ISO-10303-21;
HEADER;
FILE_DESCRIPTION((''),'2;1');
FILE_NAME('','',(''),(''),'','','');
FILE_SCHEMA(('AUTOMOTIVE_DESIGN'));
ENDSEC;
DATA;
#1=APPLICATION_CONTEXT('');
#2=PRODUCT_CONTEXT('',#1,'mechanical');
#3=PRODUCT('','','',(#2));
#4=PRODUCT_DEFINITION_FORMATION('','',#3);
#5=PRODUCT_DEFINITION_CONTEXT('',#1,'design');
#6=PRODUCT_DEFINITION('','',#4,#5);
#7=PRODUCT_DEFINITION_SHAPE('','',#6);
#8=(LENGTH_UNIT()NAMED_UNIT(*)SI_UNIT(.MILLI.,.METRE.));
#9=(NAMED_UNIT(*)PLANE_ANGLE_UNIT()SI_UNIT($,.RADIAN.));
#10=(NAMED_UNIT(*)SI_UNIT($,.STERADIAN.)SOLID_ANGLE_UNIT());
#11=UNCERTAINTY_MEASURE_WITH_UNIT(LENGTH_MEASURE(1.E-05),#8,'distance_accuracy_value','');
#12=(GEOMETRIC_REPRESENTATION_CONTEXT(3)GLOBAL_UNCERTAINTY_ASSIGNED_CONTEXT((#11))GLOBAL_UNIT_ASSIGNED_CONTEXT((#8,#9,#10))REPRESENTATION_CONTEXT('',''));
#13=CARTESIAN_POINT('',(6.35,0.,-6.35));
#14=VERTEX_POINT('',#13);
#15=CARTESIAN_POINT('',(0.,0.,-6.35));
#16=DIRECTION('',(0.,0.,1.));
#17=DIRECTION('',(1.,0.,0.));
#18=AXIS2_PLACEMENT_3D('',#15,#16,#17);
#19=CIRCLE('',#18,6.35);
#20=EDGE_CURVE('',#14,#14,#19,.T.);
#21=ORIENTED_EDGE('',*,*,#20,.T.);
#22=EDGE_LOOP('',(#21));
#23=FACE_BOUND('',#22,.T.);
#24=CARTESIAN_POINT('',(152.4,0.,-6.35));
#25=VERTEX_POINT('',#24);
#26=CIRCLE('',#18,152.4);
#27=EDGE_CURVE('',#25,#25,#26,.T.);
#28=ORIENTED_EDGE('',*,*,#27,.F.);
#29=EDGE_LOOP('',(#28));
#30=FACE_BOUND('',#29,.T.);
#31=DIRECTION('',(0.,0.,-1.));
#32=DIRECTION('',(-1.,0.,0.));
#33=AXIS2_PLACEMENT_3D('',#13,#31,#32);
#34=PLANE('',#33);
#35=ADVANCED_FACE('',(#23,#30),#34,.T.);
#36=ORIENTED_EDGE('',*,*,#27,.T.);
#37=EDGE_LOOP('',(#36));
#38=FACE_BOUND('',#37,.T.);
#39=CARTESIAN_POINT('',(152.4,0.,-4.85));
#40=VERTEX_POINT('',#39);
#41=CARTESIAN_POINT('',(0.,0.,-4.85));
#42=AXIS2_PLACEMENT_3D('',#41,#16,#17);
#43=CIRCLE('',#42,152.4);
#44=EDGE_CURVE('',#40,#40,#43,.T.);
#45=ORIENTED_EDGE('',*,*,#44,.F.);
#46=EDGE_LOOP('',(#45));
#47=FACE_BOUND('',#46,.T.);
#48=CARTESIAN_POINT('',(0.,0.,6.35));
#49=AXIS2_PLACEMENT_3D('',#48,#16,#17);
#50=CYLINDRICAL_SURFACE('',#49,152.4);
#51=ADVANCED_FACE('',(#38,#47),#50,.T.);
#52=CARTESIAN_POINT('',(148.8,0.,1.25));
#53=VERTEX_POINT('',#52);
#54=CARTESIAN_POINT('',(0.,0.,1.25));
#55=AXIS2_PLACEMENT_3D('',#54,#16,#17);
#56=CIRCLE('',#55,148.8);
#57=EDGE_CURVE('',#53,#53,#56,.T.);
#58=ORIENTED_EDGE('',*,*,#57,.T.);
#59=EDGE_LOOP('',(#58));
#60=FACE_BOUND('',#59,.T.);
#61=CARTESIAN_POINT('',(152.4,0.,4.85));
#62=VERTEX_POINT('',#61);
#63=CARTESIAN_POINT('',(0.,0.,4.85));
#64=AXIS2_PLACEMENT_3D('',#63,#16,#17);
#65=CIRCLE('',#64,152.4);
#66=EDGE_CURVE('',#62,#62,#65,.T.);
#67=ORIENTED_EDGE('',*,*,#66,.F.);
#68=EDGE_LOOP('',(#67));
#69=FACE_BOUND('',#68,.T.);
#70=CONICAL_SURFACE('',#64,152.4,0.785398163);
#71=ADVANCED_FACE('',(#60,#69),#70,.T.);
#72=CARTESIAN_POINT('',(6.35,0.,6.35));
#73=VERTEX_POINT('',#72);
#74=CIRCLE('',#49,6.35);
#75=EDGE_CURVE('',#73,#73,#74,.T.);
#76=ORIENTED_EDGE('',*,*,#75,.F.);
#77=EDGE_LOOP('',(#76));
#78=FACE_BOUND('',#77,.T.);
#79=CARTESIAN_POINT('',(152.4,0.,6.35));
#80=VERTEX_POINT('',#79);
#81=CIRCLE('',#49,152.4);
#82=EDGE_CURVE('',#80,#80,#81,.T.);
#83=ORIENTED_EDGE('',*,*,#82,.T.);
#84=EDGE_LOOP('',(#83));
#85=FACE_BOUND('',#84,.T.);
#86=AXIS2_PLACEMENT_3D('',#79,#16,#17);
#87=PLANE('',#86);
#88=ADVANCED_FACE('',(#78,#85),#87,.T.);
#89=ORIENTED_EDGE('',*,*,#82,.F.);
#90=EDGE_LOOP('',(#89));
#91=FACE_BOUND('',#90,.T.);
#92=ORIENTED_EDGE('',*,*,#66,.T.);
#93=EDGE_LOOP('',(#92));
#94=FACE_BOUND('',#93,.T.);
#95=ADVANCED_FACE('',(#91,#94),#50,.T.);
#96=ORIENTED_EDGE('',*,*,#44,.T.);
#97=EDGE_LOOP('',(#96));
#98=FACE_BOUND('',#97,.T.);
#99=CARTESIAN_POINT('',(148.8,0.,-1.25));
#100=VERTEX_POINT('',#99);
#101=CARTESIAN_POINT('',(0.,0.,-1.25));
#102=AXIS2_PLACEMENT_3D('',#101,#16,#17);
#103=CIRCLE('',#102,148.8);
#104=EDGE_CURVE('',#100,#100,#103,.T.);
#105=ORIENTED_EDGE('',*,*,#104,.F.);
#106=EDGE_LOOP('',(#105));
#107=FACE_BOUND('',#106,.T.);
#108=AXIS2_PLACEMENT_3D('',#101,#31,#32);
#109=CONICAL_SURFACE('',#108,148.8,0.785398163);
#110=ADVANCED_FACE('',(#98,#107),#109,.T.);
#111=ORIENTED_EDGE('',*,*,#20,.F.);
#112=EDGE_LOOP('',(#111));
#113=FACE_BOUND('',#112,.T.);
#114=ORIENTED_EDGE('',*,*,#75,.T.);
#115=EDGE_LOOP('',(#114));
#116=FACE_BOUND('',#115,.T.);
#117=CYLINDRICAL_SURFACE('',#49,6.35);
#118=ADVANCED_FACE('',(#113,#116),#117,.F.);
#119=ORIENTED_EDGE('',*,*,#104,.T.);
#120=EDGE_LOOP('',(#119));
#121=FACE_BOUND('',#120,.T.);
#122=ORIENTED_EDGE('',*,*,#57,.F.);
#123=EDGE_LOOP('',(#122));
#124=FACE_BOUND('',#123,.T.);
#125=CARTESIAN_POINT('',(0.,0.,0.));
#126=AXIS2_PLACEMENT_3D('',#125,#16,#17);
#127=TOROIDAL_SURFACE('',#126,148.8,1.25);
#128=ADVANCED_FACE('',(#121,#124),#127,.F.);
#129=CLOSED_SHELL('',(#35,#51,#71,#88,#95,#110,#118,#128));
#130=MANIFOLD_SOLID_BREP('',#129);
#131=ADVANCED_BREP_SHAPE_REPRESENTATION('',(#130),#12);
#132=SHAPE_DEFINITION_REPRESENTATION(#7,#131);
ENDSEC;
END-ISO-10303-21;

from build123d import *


with BuildPart() as part:
    # Sketch1 → Revolve1 (revolve)
    with BuildSketch(Plane(origin=(0, 0, 0), x_dir=(1, 0, 0), z_dir=(0, 1, 0))):
        with BuildLine():
            Line((6.35, 6.35), (152.4, 6.35))
            Line((152.4, 6.35), (152.4, 4.85))
            Line((152.4, 4.85), (148.8, 1.25))
            ThreePointArc((148.8, 1.25), (147.55, 0), (148.8, -1.25))
            Line((148.8, -1.25), (152.4, -4.85))
            Line((152.4, -4.85), (152.4, -6.35))
            Line((152.4, -6.35), (6.35, -6.35))
            Line((6.35, -6.35), (6.35, 6.35))
        make_face()
    revolve(axis=Axis((0, 0, 6.35), (0, 0, -1)))


solid = part.part
